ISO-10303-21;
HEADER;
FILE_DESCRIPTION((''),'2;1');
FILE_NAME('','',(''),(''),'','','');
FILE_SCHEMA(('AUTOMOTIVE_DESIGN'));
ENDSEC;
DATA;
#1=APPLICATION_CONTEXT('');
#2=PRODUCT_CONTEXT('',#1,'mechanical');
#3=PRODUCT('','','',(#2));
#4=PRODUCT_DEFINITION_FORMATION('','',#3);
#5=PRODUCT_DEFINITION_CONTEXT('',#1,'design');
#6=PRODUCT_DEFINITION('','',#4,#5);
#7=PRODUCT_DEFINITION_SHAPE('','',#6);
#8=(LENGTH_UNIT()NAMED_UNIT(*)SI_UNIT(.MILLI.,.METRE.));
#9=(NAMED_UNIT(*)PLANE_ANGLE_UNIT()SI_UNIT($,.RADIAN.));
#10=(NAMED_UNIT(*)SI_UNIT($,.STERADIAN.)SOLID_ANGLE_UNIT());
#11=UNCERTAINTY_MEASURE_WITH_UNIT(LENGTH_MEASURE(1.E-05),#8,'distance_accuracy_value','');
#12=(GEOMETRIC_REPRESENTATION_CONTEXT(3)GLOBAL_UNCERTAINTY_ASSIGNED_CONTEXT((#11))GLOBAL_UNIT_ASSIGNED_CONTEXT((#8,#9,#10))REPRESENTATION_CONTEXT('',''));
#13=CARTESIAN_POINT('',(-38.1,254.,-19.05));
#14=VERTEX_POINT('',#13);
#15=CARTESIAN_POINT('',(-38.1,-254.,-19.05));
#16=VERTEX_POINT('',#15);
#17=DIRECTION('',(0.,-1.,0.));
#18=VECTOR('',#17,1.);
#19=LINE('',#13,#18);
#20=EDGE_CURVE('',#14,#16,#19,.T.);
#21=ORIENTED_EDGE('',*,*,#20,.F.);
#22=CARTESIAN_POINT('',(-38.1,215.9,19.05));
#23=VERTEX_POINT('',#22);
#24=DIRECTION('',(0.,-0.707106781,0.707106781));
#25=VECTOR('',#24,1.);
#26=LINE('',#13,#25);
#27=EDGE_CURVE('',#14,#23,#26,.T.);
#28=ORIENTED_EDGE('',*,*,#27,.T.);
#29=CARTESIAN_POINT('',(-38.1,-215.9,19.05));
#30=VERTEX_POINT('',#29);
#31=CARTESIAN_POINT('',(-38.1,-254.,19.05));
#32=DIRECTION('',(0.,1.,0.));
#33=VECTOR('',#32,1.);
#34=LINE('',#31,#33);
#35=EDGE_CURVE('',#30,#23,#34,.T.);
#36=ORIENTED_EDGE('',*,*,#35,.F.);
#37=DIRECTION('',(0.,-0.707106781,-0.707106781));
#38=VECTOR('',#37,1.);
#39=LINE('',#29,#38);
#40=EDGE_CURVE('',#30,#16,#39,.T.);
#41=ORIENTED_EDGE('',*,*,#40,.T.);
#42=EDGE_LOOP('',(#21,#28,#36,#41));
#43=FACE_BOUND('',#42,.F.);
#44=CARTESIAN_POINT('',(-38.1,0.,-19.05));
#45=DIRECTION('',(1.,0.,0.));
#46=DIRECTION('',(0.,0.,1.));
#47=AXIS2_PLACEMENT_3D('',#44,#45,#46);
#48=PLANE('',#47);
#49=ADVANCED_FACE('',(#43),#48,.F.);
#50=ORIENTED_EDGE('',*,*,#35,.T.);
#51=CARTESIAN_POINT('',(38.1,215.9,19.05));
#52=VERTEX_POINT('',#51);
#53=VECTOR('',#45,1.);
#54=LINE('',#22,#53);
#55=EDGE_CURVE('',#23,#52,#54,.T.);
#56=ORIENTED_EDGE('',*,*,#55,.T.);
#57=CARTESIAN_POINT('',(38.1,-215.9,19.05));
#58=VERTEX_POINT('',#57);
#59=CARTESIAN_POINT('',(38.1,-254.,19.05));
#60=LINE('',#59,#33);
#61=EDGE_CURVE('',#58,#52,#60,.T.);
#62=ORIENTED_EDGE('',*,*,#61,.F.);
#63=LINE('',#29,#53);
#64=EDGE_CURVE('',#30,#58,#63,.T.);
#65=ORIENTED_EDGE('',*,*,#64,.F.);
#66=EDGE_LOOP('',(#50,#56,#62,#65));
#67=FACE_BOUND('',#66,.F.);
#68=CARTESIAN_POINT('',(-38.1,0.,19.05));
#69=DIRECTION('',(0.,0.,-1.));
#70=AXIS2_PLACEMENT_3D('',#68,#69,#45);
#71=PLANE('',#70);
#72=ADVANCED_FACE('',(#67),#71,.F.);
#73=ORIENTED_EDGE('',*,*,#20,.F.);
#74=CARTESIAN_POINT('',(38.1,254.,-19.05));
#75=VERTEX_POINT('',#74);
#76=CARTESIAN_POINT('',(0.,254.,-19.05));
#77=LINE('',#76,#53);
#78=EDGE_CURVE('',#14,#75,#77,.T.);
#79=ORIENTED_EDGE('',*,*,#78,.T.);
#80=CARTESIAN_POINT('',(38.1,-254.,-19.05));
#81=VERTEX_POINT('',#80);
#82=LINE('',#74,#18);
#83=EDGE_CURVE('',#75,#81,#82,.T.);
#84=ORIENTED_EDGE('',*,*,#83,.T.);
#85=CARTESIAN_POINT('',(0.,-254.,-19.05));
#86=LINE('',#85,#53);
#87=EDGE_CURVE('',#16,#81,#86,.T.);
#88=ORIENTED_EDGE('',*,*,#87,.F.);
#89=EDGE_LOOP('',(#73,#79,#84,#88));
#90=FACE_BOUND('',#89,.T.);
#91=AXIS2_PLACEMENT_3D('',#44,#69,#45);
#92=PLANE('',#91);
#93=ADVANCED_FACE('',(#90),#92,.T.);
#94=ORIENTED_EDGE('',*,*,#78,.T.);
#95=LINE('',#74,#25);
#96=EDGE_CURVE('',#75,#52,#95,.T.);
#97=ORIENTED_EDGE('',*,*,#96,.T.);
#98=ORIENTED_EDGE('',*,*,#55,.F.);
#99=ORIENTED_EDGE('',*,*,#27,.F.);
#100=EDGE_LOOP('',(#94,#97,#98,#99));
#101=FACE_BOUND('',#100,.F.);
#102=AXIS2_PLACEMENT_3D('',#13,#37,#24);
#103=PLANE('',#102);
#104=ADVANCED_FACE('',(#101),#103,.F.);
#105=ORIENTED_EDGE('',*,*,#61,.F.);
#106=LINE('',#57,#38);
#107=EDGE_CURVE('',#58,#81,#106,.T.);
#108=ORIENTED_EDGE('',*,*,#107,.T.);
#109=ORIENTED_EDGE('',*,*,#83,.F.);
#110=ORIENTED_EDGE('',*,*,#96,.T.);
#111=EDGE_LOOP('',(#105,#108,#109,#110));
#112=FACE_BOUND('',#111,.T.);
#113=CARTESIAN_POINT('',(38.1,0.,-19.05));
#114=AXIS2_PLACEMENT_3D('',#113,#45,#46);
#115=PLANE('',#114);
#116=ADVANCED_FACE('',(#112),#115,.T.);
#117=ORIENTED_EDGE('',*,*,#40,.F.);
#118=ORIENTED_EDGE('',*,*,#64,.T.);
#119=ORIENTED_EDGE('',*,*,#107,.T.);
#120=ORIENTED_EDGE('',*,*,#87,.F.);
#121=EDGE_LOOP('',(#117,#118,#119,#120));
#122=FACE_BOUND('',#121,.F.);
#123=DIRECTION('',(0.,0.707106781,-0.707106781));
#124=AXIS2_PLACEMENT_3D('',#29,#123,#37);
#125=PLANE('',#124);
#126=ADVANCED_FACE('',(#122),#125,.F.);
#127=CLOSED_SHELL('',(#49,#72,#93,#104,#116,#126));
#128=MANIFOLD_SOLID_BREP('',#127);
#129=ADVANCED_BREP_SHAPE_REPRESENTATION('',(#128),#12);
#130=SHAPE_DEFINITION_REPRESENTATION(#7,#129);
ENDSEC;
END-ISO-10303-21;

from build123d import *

# Parameters (mm, degrees)
F0_W          = 76.2
F0_H          = 38.1
F1_DEPTH      = 254
F1_DEPTH_BACK = 254
F3_DEPTH      = 76.2


with BuildPart() as f1:
    # F0 (on Front) → F1 (new body, two sides)
    with BuildSketch(Plane.XZ) as f1_sk:
        Rectangle(F0_W, F0_H)
    extrude(amount=F1_DEPTH)
    extrude(f1_sk.sketch, amount=-F1_DEPTH_BACK)

    # F2 (on face) → F3 (cut, through all)
    with BuildSketch(Plane(origin=(-38.1, 0, 0), x_dir=(0, -1, 0), z_dir=(-1, 0, 0))):
        Polygon((-215.9, 19.05), (-254, 19.05), (-254, -19.05), align=None)
        Polygon((215.9, 19.05), (254, -19.05), (254, 19.05), align=None)
    extrude(amount=-F3_DEPTH, mode=Mode.SUBTRACT)


solid = f1.part
